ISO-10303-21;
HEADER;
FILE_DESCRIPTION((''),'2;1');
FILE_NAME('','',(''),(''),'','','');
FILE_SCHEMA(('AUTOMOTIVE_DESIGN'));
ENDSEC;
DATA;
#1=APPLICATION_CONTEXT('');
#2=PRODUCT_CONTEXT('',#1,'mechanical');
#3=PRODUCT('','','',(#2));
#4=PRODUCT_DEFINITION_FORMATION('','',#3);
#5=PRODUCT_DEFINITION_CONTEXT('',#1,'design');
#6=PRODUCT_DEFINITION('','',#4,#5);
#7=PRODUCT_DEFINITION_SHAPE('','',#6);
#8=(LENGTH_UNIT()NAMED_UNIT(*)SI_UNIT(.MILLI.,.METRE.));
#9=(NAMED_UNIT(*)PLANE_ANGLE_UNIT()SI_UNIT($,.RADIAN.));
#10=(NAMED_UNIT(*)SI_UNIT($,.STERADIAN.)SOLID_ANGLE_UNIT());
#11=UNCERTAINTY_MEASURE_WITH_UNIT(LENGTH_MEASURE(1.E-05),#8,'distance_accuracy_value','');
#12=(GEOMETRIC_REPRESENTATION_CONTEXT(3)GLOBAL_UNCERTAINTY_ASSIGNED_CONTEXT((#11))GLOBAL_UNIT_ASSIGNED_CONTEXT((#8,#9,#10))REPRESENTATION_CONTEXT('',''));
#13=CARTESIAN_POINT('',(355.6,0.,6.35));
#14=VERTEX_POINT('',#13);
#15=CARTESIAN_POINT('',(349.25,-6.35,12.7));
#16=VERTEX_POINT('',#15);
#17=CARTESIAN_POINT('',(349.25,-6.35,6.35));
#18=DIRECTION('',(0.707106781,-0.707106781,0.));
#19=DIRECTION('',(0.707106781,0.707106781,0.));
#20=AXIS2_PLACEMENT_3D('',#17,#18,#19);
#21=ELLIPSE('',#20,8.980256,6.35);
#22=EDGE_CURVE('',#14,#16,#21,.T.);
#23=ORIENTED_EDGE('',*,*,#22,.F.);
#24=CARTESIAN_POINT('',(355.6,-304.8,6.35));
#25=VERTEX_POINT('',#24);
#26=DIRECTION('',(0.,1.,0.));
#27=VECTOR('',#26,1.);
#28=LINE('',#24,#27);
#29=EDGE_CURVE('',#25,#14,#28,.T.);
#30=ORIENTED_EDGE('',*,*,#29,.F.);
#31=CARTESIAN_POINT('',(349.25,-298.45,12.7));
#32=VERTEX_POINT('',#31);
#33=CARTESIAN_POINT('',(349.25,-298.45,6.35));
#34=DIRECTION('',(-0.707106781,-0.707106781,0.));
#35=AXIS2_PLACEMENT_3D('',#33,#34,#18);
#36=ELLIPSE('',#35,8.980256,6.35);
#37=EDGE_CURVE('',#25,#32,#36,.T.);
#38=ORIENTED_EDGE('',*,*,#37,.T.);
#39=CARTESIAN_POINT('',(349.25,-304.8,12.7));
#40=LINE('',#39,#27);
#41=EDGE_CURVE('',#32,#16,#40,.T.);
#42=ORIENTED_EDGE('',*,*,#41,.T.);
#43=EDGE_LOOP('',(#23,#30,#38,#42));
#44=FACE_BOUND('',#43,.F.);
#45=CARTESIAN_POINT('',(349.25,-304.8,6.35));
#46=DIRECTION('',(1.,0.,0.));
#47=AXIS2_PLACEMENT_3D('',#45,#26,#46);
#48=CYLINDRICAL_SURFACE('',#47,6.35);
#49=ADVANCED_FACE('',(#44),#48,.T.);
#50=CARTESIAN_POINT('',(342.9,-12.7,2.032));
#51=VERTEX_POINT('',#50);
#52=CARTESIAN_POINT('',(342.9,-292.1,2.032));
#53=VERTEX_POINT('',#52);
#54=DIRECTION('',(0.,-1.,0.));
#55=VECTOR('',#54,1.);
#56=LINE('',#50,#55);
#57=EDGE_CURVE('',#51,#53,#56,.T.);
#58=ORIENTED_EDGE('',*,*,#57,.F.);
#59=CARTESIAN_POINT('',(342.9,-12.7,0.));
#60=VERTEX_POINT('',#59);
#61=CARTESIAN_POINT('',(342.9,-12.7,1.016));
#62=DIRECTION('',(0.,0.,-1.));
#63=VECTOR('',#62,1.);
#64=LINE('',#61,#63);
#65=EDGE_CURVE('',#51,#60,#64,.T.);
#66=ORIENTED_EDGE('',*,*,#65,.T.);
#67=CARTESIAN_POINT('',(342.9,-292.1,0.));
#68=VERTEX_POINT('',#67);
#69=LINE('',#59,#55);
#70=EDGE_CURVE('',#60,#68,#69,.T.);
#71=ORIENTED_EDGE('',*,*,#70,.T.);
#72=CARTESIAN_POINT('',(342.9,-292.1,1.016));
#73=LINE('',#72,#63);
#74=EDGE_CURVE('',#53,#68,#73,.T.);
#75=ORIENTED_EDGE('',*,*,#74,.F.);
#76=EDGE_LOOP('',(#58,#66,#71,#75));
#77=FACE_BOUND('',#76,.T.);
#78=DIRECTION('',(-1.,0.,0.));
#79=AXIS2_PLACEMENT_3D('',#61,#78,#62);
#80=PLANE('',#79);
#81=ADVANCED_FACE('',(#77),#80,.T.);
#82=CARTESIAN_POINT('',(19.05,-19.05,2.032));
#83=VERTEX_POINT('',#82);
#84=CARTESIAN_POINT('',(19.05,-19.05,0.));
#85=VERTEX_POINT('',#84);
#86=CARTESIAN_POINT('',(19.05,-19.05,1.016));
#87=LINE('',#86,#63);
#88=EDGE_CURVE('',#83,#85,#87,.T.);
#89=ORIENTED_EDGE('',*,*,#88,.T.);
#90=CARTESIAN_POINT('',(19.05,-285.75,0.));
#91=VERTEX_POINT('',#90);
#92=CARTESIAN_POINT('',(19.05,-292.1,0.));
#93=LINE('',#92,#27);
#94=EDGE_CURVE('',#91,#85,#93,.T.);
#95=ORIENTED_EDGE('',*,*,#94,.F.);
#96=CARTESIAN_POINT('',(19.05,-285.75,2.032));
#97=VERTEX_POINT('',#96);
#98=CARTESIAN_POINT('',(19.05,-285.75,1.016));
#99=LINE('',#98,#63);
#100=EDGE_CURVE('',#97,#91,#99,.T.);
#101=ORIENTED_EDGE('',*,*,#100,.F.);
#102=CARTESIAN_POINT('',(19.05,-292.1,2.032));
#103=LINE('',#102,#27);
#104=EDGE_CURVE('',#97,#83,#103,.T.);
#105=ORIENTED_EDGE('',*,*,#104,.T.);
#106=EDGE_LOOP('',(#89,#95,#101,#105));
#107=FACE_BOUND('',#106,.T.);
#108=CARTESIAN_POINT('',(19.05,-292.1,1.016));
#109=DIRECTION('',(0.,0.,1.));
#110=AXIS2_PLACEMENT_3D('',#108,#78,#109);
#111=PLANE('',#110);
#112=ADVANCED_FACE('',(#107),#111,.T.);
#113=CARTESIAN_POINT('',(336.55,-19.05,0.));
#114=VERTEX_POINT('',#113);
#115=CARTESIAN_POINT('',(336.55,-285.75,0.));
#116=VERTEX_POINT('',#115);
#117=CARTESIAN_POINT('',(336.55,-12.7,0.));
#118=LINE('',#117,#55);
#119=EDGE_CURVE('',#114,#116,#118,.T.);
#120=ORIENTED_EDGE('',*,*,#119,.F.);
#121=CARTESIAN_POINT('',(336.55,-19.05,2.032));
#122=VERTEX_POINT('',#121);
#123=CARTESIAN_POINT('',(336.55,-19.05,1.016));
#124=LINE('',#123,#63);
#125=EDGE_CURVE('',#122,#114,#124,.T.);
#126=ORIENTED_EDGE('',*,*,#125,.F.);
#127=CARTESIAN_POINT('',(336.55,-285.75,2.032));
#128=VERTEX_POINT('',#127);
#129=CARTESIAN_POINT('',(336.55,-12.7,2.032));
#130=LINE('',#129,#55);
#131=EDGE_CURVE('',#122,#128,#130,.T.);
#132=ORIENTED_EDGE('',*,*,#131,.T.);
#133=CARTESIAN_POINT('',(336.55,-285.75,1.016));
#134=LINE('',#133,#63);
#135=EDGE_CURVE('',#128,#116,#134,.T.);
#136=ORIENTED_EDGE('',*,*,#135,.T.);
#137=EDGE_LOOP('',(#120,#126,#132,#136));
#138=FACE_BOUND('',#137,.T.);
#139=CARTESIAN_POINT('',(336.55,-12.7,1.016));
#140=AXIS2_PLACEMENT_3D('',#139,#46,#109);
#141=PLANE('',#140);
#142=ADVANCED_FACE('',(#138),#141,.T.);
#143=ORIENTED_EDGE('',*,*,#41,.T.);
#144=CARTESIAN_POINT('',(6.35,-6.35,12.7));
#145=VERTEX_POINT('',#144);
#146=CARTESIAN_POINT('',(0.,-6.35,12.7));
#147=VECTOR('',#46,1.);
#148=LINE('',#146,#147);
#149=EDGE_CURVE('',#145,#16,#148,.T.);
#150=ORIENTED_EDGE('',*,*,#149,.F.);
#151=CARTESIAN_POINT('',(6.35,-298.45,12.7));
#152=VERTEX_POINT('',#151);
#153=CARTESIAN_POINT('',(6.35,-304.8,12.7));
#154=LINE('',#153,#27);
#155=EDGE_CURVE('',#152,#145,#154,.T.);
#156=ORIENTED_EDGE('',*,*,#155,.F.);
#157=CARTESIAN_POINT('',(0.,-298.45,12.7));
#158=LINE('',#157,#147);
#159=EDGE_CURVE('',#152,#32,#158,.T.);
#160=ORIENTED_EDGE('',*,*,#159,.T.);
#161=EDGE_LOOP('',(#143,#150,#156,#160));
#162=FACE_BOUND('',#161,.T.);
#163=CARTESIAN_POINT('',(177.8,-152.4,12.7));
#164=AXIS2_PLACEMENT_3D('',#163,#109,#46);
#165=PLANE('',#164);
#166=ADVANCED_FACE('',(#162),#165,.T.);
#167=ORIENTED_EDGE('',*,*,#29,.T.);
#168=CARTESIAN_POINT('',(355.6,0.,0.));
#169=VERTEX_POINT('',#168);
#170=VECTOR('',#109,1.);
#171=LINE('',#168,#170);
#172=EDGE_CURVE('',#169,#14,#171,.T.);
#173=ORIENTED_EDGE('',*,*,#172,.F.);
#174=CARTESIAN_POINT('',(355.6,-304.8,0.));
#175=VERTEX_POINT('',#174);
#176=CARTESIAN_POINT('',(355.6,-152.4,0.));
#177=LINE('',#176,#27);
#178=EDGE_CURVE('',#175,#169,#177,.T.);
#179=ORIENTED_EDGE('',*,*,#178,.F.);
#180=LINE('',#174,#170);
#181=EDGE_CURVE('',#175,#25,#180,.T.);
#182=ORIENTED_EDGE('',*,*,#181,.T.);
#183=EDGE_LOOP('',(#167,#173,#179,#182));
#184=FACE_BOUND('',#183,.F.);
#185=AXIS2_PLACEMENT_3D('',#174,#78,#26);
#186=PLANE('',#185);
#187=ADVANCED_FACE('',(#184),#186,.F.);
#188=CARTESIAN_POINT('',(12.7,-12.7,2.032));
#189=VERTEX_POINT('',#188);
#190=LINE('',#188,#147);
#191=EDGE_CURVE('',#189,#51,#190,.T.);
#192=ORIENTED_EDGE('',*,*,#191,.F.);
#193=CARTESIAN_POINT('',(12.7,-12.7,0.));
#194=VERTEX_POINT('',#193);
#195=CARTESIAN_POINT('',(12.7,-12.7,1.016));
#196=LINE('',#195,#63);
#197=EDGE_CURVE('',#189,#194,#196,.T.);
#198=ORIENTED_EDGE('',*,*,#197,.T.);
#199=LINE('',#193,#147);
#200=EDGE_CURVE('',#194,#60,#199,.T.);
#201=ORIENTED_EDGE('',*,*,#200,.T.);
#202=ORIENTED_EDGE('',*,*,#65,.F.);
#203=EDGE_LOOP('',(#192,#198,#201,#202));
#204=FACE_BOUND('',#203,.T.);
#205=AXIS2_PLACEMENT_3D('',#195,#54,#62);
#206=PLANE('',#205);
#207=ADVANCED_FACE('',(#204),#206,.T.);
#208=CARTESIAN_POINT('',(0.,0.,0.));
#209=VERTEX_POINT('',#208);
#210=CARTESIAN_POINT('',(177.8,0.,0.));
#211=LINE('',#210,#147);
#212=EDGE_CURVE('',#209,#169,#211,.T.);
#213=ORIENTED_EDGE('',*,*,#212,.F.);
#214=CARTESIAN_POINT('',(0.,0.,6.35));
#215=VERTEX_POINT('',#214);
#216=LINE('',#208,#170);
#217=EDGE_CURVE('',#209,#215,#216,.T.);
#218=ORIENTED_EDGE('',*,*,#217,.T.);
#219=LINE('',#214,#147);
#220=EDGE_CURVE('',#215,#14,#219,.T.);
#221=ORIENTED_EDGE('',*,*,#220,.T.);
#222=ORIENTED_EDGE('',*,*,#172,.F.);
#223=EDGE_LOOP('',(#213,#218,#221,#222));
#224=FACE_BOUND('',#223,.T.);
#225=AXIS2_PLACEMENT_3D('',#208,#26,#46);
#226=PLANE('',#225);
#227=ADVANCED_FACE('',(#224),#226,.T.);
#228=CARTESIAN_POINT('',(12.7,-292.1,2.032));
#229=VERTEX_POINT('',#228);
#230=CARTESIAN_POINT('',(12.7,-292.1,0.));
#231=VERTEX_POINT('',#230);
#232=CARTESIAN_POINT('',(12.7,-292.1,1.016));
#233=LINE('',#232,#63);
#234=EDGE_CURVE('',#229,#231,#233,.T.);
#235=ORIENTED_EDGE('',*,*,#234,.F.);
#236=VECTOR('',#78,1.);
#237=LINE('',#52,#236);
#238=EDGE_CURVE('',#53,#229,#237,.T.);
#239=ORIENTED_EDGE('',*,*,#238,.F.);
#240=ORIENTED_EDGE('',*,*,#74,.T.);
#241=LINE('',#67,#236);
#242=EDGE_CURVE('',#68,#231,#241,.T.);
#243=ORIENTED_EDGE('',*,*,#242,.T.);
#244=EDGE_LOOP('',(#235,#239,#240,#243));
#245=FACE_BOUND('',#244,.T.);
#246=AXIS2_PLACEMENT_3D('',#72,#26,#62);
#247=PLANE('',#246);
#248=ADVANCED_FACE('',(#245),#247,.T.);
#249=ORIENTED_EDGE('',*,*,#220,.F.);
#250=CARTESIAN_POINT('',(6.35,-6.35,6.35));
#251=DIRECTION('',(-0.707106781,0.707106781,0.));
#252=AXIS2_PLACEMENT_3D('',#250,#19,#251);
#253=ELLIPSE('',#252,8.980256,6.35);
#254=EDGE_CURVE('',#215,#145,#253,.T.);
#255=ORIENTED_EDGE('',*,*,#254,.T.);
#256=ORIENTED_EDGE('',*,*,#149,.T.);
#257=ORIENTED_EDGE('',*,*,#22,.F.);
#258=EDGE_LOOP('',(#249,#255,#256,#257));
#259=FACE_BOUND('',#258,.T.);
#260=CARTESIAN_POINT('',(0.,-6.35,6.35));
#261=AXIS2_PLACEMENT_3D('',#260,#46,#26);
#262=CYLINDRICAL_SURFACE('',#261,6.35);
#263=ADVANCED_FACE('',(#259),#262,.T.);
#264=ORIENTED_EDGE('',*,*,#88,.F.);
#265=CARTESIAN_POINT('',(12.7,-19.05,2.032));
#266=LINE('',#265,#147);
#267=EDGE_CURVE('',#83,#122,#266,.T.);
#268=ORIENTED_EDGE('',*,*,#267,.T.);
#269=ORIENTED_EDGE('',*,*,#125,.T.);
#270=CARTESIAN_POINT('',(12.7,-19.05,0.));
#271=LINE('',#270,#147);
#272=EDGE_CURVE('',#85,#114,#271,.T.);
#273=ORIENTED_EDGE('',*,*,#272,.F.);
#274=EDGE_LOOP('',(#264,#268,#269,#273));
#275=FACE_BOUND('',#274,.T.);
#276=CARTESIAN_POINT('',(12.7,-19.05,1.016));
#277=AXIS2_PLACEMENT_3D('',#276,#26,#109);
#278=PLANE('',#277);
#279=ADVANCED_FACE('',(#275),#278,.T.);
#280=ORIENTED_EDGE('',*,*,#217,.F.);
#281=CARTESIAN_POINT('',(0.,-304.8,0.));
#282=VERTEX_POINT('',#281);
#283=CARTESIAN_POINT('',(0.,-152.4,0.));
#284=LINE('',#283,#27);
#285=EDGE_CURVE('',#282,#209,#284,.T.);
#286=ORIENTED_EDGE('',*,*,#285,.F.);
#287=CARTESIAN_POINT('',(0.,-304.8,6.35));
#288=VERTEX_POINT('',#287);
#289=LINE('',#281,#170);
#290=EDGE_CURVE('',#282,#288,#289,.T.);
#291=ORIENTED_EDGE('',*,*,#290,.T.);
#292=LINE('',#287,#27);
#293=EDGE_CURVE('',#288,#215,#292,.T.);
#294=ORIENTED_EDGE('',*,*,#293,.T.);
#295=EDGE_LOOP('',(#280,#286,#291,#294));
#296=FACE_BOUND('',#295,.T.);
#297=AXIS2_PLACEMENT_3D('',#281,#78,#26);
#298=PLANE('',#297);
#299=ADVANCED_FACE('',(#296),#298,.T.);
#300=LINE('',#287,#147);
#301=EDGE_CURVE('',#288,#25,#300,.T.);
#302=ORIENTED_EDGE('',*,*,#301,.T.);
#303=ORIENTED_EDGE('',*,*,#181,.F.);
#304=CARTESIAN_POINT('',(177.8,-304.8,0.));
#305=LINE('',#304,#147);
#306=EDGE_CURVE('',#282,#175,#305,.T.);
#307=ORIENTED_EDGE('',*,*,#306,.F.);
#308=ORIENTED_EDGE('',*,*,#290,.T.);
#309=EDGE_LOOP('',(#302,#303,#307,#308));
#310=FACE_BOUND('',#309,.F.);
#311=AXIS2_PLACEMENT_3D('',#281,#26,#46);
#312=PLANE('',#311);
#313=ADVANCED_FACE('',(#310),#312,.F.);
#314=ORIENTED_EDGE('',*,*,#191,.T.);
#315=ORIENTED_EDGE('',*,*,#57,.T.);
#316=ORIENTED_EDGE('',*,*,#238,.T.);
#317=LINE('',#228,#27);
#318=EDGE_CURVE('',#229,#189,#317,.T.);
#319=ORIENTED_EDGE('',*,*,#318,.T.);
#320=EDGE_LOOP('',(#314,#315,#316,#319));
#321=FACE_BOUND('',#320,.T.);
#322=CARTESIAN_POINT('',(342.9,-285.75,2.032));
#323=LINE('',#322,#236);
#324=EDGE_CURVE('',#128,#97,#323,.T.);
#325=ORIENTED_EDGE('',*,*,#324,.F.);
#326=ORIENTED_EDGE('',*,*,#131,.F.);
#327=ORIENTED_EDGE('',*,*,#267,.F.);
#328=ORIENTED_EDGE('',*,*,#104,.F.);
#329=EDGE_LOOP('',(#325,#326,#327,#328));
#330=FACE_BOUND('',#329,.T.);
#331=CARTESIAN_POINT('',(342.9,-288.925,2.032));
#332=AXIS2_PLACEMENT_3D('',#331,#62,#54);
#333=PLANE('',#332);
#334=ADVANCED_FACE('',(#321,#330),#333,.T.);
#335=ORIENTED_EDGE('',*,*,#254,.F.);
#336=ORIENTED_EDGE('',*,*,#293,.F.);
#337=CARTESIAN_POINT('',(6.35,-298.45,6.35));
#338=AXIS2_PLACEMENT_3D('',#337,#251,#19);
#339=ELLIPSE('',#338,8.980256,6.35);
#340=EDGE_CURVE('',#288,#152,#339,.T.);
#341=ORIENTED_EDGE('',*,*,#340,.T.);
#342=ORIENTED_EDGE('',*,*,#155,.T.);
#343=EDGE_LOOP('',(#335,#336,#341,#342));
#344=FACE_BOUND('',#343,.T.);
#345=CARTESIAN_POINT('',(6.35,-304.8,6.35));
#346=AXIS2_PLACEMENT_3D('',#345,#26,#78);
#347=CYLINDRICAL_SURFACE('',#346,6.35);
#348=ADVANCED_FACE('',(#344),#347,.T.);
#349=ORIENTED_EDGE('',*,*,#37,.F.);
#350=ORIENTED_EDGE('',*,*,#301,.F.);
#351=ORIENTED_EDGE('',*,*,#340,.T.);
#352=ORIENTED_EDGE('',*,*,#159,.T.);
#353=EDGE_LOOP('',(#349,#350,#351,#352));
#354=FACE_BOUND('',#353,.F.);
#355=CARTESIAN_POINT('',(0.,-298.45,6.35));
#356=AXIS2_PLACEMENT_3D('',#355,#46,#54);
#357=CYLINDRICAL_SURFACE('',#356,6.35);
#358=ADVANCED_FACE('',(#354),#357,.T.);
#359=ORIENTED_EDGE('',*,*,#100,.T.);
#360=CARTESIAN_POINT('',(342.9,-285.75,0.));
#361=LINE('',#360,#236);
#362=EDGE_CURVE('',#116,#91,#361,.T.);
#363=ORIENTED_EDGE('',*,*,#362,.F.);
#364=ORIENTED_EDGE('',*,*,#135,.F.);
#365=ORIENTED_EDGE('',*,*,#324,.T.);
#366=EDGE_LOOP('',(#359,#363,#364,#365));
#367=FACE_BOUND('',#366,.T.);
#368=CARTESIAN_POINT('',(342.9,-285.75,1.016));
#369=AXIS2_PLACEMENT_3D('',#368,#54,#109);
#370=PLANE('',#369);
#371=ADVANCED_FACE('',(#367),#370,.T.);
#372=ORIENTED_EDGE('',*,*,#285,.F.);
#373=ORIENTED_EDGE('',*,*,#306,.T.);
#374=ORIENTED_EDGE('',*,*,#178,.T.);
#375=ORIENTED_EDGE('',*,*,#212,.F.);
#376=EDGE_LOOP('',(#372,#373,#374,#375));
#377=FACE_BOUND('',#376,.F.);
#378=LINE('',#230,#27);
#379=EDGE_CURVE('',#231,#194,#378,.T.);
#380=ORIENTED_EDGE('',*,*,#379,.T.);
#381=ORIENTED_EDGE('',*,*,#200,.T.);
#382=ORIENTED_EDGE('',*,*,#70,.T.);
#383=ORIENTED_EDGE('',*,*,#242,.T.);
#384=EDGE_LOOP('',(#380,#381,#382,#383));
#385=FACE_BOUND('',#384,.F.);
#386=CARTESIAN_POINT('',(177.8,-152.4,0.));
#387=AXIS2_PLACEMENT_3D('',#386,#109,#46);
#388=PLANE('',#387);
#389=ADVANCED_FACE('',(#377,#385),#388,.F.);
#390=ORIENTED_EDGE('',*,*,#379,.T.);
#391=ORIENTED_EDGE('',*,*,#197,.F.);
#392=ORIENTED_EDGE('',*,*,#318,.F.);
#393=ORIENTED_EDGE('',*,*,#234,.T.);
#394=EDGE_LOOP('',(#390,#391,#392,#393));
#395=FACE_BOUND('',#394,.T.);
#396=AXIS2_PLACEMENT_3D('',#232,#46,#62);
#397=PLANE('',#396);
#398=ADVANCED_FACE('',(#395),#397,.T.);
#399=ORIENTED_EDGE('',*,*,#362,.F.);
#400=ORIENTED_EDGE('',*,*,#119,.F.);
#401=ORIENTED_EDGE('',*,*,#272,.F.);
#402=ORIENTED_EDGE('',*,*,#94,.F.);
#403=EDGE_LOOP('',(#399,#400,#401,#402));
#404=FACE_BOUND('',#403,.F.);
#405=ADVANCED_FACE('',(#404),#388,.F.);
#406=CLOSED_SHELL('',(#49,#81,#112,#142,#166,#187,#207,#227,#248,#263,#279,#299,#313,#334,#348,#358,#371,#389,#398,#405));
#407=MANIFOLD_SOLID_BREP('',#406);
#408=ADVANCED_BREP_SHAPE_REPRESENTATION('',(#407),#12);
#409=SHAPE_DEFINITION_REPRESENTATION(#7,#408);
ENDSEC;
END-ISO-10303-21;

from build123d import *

# Parameters (mm, degrees)
F0_W     = 355.6
F0_H     = 304.8
F1_DEPTH = 12.7
F2_R     = 6.35
F5_W     = 6.35
F5_H     = 2.032


with BuildPart() as f1:
    # F0 (on Top) → F1 (new body)
    with BuildSketch(Plane.XY):
        with Locations((177.8, -152.4)):
            Rectangle(F0_W, F0_H)
    extrude(amount=F1_DEPTH)

    # F2
    f2_edges = [f1.edges().sort_by_distance(p)[0] for p in [
        (0, -152.4, 12.7),
        (177.8, -304.8, 12.7),
        (355.6, -152.4, 12.7),
        (177.8, 0, 12.7),
    ]]
    fillet(f2_edges, radius=F2_R)

    # F6: sweep along a path in F3
    with BuildLine(Plane(origin=(0, 0, 0), x_dir=(1, 0, 0), z_dir=(0, 0, -1))) as f6_path:
        Line((12.7, 292.1), (12.7, 12.7))
        Line((12.7, 12.7), (342.9, 12.7))
        Line((342.9, 12.7), (342.9, 292.1))
        Line((342.9, 292.1), (12.7, 292.1))
    # F5 (on plane+point) → F6 (sweep, cut)
    with BuildSketch(Plane.XZ.offset(12.7)):
        with Locations((15.875, 1.016)):
            Rectangle(F5_W, F5_H)
    sweep(path=f6_path.line, transition=Transition.RIGHT, mode=Mode.SUBTRACT)


solid = f1.part
